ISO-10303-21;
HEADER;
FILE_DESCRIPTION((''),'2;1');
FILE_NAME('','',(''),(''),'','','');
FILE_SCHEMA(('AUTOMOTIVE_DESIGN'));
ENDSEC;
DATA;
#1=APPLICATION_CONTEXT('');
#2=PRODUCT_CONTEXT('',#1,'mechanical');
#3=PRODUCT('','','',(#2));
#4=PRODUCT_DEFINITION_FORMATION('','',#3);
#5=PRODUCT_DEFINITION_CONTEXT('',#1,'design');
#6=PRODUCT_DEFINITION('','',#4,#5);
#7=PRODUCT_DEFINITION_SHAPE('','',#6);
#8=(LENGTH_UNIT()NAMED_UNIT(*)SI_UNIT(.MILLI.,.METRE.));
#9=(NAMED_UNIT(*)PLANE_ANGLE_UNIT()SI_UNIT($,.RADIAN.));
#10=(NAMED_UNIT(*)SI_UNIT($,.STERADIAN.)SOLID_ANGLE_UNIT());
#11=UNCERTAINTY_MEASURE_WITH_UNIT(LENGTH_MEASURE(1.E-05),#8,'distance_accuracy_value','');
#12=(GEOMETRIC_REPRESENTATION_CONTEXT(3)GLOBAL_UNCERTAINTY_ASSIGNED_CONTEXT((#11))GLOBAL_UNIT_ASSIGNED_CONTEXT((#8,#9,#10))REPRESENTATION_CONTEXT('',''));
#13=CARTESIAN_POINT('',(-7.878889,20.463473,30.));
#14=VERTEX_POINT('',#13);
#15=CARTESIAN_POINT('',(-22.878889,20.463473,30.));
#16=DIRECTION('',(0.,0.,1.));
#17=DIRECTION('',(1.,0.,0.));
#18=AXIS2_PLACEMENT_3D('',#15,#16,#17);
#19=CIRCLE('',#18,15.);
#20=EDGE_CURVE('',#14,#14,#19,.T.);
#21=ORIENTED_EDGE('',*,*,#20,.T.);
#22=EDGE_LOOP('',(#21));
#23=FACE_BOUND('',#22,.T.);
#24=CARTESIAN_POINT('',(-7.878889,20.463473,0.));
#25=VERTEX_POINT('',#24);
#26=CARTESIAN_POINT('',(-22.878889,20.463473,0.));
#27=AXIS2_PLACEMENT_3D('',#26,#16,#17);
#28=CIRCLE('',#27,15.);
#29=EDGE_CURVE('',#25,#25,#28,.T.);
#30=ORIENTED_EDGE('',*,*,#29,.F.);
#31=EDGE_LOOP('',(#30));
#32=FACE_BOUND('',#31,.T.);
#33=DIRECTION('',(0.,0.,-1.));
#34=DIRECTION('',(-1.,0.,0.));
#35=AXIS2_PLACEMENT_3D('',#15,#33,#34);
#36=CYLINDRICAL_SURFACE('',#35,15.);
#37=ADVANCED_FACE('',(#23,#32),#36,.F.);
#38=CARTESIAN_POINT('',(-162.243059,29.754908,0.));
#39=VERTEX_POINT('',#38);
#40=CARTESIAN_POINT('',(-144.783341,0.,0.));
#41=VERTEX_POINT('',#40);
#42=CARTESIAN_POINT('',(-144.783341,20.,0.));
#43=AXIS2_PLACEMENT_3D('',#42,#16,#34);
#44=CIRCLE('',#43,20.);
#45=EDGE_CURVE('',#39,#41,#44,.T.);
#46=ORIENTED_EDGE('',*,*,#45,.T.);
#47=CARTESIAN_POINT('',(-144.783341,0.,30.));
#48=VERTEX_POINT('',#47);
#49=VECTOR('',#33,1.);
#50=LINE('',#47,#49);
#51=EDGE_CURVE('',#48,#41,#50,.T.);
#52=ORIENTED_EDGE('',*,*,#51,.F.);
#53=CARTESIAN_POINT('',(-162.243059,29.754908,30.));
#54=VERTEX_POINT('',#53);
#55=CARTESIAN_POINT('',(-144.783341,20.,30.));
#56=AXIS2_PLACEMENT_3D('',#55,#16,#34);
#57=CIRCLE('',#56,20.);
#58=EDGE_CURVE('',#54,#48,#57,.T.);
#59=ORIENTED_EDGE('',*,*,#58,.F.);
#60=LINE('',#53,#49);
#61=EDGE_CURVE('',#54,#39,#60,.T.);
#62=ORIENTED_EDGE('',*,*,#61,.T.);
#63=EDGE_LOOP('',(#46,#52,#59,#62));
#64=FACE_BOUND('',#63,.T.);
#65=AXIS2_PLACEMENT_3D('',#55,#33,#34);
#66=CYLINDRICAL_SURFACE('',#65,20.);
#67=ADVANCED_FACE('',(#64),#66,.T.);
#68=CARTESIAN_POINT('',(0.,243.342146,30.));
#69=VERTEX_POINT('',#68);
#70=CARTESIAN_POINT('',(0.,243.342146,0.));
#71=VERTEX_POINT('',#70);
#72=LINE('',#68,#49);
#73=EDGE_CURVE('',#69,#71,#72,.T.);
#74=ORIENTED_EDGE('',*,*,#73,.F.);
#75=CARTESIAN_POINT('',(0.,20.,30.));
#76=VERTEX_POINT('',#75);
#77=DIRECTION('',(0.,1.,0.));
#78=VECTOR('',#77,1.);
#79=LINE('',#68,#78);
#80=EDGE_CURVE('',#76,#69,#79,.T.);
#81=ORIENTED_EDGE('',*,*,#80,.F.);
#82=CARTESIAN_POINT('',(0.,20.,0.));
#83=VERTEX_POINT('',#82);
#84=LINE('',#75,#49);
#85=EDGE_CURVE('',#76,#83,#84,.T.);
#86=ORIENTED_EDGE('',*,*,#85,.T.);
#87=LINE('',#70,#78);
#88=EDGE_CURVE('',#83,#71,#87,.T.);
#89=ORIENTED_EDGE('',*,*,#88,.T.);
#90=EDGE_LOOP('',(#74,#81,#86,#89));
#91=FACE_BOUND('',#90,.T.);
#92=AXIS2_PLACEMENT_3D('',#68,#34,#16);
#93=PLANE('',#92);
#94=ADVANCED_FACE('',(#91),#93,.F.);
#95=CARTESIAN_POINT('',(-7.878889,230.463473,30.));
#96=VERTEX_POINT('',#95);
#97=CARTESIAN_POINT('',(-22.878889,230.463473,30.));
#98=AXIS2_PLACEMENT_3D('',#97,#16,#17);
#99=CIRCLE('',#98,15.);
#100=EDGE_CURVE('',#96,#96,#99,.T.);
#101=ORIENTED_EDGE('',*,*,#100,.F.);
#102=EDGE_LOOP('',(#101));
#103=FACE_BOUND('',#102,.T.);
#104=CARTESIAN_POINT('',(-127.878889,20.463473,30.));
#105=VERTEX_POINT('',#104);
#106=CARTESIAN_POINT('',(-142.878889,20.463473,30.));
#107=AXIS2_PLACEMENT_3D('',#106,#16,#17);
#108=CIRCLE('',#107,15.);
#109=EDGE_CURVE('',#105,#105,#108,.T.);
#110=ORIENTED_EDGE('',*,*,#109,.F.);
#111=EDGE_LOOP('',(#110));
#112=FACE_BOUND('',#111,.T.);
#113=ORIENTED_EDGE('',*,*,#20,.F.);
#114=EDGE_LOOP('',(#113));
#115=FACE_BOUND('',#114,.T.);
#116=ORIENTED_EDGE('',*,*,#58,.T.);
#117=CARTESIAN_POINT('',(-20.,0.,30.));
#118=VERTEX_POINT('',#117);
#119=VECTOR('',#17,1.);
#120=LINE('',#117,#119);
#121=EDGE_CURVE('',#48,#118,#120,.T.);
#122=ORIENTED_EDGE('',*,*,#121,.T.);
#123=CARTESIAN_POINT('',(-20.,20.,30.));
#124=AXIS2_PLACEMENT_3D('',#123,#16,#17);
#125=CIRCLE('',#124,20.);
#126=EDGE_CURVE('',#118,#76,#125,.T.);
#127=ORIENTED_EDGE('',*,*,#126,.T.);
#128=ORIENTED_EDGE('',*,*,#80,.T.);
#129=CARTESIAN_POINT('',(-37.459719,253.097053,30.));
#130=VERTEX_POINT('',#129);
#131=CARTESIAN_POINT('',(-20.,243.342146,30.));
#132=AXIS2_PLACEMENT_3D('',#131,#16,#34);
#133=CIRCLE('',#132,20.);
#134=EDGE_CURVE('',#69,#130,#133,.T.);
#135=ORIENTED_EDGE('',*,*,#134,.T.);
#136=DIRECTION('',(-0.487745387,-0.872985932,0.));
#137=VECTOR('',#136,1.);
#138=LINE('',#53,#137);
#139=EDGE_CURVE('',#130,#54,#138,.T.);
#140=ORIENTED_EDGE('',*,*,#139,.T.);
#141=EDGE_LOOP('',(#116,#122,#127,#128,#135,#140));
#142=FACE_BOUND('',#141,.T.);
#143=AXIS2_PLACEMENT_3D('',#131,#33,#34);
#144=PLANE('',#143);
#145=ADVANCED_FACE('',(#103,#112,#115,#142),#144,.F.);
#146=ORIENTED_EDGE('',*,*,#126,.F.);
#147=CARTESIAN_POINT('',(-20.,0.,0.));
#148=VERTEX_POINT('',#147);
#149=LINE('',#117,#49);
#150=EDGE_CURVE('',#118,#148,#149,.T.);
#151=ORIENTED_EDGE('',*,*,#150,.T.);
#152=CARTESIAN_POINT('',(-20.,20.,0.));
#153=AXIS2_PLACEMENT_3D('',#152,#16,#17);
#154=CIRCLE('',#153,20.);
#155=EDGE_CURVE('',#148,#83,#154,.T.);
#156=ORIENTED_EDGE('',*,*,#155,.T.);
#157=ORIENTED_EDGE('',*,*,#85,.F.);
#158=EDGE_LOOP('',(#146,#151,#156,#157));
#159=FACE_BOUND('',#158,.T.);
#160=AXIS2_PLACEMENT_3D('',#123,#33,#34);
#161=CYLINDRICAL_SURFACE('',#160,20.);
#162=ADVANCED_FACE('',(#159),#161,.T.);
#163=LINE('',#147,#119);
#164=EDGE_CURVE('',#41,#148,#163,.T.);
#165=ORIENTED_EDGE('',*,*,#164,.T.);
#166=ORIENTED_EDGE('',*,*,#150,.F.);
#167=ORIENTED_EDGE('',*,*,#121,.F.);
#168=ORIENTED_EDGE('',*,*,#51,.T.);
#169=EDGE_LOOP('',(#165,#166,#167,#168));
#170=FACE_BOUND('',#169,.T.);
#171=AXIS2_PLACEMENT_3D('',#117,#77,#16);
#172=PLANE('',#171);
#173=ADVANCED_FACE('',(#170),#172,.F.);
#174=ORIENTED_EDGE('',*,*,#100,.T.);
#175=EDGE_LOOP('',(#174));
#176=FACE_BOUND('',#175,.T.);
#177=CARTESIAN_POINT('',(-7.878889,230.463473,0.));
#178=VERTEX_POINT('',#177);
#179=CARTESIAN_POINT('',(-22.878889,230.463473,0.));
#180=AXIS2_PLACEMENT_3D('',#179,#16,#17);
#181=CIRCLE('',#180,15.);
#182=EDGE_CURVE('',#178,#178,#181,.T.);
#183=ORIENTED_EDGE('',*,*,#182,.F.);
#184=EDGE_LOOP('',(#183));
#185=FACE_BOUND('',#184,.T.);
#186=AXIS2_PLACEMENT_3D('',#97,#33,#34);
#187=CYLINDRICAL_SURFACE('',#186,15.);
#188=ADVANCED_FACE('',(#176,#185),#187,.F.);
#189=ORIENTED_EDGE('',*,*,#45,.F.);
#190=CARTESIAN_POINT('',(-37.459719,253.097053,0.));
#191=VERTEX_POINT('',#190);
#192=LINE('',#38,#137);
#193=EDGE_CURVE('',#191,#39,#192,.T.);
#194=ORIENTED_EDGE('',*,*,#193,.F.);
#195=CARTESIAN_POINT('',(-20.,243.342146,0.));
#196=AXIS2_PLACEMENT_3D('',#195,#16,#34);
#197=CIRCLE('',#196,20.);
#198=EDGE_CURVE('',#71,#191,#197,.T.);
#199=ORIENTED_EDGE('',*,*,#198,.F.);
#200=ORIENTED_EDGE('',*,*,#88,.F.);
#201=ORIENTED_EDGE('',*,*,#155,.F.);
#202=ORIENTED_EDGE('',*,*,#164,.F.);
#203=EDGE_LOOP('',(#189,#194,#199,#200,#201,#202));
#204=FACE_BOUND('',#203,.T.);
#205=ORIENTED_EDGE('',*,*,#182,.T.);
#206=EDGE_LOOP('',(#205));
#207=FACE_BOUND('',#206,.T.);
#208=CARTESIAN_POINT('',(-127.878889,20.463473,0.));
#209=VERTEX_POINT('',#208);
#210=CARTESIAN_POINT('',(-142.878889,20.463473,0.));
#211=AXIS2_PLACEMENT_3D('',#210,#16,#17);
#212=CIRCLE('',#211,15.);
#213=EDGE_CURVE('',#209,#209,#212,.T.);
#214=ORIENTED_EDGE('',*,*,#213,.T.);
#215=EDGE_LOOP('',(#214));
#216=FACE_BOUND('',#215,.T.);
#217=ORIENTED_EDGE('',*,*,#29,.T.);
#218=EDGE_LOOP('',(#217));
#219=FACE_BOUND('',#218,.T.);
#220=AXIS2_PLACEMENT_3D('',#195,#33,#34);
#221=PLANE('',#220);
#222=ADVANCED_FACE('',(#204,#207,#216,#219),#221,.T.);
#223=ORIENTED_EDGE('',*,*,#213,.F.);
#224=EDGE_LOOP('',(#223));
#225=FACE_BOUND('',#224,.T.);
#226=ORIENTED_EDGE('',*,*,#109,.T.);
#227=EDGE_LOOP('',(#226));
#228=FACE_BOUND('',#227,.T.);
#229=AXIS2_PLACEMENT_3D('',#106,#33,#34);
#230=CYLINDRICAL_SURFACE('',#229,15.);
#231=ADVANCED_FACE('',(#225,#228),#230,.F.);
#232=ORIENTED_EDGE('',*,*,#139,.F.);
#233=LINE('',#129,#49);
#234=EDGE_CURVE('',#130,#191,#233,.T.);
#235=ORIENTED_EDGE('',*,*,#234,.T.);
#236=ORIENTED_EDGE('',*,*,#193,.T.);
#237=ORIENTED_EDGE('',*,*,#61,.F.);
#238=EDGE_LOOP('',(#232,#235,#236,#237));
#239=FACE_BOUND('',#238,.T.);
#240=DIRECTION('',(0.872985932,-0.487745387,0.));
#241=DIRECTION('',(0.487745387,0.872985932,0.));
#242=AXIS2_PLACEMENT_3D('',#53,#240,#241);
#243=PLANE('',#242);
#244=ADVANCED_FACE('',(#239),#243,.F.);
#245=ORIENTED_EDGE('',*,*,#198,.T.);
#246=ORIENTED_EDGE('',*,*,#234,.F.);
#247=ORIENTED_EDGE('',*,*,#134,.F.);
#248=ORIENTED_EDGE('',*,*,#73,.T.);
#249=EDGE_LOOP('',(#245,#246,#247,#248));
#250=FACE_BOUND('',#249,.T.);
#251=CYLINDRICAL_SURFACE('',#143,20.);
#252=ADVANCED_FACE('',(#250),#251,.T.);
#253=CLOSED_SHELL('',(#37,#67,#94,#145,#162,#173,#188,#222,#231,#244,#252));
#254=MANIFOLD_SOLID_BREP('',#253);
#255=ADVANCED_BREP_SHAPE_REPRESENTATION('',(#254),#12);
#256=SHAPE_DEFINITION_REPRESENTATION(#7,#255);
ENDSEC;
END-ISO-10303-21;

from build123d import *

# Parameters (mm, degrees)
SKETCH1_R           = 15
BOSS_EXTRUDE1_DEPTH = 30


with BuildPart() as part:
    # Sketch1 → Boss-Extrude1 (new body)
    with BuildSketch(Plane.XY):
        with BuildLine():
            Line((-20, 0), (-144.783340837, 0))
            ThreePointArc((-144.783340837, 0), (-162.03295177, 9.87819568), (-162.243059482, 29.754907731))
            Line((-162.243059482, 29.754907731), (-37.459718645, 253.097053316))
            ThreePointArc((-37.459718645, 253.097053316), (-14.95987961, 262.69665892), (0, 243.342145585))
            Line((0, 243.342145585), (0, 20))
            ThreePointArc((0, 20), (-5.857864376, 5.857864376), (-20, 0))
        make_face()
        with Locations((-22.878888765, 230.46347256)):
            Circle(SKETCH1_R, mode=Mode.SUBTRACT)
        with Locations((-22.878888765, 20.46347256)):
            Circle(SKETCH1_R, mode=Mode.SUBTRACT)
        with Locations((-142.878888765, 20.46347256)):
            Circle(SKETCH1_R, mode=Mode.SUBTRACT)
    extrude(amount=BOSS_EXTRUDE1_DEPTH)


solid = part.part
